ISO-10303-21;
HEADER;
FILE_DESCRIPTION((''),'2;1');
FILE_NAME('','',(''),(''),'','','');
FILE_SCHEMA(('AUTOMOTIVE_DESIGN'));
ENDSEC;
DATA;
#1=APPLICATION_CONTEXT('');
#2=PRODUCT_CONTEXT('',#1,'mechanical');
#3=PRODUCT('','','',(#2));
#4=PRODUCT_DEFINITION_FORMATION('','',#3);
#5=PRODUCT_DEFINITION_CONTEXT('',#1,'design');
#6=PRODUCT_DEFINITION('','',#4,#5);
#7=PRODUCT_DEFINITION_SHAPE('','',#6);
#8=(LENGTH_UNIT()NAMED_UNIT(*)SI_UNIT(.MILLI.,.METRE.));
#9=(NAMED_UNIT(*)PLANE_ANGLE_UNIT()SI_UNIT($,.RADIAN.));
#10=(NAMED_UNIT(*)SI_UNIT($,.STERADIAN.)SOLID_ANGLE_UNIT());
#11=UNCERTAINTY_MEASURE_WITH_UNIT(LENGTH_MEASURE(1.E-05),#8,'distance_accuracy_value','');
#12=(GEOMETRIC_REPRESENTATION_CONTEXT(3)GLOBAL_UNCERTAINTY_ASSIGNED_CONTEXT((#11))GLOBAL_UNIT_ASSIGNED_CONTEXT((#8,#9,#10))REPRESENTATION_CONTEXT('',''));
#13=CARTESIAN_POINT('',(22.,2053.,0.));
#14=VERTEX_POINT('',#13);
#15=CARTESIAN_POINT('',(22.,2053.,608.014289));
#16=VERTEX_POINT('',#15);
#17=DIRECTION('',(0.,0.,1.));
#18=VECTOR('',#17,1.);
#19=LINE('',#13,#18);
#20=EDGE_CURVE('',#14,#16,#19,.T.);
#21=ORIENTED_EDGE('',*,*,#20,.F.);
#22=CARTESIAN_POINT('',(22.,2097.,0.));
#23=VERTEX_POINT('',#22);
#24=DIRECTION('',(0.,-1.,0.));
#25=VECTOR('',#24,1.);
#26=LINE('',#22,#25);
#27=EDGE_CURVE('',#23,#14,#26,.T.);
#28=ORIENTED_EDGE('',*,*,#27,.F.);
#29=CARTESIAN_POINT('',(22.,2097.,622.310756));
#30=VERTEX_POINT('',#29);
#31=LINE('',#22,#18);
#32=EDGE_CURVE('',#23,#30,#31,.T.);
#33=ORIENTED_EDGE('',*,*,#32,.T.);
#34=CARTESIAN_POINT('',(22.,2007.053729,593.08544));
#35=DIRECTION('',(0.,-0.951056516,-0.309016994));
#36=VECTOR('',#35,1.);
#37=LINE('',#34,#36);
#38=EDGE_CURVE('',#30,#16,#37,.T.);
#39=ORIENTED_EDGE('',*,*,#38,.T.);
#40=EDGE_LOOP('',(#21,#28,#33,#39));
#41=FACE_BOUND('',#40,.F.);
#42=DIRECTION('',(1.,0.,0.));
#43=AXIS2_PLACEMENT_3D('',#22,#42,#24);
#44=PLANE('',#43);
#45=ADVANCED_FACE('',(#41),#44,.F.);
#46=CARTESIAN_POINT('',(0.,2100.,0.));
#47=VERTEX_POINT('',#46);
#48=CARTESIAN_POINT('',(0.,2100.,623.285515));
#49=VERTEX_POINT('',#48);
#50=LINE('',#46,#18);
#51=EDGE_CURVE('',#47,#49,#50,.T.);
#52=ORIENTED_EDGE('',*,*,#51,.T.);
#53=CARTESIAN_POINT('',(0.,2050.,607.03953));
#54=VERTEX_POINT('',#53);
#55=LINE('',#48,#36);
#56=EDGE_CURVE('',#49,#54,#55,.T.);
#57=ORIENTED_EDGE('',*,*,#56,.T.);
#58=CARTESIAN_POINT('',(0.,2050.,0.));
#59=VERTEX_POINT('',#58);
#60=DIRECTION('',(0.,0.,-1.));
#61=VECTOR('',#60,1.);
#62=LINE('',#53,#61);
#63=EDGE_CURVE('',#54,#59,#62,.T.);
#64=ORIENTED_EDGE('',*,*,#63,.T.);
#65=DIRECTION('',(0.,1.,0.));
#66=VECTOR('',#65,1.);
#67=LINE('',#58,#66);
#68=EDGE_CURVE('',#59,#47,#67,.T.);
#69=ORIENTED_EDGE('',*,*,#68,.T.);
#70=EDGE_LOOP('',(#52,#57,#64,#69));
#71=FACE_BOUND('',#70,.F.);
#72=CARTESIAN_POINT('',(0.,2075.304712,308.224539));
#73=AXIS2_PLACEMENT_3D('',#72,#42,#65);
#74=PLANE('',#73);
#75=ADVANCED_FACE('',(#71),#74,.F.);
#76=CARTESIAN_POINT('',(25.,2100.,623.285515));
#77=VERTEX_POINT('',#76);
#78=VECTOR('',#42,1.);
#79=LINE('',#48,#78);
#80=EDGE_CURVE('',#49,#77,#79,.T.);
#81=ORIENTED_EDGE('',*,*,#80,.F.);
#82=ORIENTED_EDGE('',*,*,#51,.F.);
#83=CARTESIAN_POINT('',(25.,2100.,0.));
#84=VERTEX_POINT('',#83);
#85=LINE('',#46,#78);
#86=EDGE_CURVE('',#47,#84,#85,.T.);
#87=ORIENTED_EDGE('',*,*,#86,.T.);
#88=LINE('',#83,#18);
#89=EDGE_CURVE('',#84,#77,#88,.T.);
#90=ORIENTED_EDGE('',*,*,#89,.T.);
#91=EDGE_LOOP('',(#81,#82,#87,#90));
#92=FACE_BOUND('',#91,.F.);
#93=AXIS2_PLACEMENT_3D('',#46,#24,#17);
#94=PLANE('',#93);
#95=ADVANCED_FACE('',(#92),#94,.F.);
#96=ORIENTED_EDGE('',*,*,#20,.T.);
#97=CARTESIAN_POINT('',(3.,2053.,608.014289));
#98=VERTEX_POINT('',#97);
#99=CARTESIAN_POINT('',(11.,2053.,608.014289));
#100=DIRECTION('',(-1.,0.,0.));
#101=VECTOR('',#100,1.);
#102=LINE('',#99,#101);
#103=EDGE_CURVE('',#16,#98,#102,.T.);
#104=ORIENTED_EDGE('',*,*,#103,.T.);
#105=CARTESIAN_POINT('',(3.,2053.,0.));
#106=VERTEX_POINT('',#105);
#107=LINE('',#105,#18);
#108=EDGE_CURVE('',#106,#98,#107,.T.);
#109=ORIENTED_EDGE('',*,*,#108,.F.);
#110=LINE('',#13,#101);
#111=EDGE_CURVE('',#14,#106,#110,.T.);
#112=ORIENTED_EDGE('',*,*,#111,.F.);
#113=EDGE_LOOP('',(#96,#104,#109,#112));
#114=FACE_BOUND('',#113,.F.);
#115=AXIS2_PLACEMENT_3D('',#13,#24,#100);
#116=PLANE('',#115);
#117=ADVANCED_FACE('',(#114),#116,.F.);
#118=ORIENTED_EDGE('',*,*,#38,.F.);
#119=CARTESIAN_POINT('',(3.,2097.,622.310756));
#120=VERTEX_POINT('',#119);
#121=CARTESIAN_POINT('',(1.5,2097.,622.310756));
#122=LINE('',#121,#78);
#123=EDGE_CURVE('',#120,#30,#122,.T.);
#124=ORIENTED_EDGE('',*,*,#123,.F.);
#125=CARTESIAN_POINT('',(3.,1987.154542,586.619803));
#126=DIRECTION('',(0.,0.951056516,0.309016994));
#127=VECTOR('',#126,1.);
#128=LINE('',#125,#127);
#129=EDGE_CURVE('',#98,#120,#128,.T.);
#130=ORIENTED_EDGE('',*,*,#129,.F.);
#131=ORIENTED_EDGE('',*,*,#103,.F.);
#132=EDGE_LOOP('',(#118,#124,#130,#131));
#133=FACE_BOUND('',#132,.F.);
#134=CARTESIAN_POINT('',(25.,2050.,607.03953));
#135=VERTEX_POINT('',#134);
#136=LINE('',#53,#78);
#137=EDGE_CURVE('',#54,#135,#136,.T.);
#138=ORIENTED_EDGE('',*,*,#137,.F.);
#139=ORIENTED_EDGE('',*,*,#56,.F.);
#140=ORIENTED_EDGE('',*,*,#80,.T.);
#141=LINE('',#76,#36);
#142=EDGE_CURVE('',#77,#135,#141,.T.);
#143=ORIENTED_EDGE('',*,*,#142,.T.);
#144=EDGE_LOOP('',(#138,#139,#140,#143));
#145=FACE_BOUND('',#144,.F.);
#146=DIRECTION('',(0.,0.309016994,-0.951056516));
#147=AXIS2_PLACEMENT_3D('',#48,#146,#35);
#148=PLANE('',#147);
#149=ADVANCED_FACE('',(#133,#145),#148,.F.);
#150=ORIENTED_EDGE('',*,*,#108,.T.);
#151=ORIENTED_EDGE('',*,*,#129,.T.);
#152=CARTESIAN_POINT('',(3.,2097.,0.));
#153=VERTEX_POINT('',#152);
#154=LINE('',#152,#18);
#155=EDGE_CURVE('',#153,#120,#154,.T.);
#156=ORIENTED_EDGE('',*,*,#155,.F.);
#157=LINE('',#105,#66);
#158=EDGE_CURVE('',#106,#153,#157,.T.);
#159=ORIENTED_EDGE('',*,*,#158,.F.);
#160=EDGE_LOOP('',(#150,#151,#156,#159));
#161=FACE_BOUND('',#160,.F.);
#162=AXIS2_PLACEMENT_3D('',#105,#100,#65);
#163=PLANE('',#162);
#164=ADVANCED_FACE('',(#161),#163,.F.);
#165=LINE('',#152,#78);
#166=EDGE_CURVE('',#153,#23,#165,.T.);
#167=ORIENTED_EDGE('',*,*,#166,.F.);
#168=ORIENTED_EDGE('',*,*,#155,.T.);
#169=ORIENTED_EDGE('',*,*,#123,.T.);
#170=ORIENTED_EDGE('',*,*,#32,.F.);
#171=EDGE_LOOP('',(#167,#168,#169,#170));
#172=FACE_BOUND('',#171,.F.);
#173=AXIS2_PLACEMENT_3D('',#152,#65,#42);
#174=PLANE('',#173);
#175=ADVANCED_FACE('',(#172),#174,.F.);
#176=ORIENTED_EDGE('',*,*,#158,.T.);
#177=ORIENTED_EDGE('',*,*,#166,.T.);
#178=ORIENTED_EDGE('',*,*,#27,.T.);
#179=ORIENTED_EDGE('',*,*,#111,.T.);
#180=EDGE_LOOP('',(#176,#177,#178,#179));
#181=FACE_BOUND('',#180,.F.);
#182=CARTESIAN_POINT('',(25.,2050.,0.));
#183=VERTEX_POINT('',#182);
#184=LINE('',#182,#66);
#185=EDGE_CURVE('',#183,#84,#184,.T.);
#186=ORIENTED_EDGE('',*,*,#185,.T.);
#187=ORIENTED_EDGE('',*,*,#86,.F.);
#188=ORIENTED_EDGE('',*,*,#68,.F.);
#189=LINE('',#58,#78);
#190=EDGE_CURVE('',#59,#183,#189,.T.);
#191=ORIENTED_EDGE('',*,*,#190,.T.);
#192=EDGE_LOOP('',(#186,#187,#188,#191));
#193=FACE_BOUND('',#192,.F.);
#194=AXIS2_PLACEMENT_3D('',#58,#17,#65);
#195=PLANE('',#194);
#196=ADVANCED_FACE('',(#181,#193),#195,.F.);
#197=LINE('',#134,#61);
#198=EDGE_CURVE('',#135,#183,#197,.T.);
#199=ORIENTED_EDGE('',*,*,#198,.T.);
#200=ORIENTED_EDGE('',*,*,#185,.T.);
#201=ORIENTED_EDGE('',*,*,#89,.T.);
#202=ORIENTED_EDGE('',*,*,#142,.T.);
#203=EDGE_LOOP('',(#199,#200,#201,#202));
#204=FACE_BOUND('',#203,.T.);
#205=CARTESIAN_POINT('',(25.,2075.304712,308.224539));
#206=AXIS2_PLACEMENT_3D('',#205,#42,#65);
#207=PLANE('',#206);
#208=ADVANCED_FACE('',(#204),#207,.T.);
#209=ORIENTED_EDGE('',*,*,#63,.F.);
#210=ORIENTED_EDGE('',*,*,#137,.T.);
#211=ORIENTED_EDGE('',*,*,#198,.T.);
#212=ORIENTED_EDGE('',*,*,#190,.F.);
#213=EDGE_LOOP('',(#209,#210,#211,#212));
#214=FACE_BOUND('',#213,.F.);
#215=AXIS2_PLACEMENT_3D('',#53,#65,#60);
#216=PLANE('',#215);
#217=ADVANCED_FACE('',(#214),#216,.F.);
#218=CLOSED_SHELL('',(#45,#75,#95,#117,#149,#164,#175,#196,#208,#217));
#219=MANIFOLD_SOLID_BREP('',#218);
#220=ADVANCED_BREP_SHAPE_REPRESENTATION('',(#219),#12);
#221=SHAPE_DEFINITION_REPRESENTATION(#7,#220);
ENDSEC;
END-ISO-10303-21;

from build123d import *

# Parameters (mm, degrees)
F1_DEPTH = 25
F3_DEPTH = 1000


with BuildPart() as f1:
    # F0 (on Right) → F1 (new body)
    with BuildSketch(Plane.YZ):
        Polygon((2050, 607.0395298403), (2050, 0), (2100, 0), (2100, 623.2855146519), align=None)
    extrude(amount=F1_DEPTH)

    # F2 (on face) → F3 (cut)
    with BuildSketch(Plane(origin=(0, 0, 0), x_dir=(1, 0, 0), z_dir=(0, 0, -1))):
        Polygon((12.5, -2075), (22, -2094), (22, -2056), align=None)
        Polygon((22, -2097), (22, -2094), (12.5, -2075), (3, -2094), (3, -2097), align=None)
        Polygon((3, -2094), (12.5, -2075), (3, -2056), align=None)
        Polygon((3, -2056), (12.5, -2075), (22, -2056), (22, -2053), (3, -2053), align=None)
    extrude(amount=-F3_DEPTH, mode=Mode.SUBTRACT)


solid = f1.part
